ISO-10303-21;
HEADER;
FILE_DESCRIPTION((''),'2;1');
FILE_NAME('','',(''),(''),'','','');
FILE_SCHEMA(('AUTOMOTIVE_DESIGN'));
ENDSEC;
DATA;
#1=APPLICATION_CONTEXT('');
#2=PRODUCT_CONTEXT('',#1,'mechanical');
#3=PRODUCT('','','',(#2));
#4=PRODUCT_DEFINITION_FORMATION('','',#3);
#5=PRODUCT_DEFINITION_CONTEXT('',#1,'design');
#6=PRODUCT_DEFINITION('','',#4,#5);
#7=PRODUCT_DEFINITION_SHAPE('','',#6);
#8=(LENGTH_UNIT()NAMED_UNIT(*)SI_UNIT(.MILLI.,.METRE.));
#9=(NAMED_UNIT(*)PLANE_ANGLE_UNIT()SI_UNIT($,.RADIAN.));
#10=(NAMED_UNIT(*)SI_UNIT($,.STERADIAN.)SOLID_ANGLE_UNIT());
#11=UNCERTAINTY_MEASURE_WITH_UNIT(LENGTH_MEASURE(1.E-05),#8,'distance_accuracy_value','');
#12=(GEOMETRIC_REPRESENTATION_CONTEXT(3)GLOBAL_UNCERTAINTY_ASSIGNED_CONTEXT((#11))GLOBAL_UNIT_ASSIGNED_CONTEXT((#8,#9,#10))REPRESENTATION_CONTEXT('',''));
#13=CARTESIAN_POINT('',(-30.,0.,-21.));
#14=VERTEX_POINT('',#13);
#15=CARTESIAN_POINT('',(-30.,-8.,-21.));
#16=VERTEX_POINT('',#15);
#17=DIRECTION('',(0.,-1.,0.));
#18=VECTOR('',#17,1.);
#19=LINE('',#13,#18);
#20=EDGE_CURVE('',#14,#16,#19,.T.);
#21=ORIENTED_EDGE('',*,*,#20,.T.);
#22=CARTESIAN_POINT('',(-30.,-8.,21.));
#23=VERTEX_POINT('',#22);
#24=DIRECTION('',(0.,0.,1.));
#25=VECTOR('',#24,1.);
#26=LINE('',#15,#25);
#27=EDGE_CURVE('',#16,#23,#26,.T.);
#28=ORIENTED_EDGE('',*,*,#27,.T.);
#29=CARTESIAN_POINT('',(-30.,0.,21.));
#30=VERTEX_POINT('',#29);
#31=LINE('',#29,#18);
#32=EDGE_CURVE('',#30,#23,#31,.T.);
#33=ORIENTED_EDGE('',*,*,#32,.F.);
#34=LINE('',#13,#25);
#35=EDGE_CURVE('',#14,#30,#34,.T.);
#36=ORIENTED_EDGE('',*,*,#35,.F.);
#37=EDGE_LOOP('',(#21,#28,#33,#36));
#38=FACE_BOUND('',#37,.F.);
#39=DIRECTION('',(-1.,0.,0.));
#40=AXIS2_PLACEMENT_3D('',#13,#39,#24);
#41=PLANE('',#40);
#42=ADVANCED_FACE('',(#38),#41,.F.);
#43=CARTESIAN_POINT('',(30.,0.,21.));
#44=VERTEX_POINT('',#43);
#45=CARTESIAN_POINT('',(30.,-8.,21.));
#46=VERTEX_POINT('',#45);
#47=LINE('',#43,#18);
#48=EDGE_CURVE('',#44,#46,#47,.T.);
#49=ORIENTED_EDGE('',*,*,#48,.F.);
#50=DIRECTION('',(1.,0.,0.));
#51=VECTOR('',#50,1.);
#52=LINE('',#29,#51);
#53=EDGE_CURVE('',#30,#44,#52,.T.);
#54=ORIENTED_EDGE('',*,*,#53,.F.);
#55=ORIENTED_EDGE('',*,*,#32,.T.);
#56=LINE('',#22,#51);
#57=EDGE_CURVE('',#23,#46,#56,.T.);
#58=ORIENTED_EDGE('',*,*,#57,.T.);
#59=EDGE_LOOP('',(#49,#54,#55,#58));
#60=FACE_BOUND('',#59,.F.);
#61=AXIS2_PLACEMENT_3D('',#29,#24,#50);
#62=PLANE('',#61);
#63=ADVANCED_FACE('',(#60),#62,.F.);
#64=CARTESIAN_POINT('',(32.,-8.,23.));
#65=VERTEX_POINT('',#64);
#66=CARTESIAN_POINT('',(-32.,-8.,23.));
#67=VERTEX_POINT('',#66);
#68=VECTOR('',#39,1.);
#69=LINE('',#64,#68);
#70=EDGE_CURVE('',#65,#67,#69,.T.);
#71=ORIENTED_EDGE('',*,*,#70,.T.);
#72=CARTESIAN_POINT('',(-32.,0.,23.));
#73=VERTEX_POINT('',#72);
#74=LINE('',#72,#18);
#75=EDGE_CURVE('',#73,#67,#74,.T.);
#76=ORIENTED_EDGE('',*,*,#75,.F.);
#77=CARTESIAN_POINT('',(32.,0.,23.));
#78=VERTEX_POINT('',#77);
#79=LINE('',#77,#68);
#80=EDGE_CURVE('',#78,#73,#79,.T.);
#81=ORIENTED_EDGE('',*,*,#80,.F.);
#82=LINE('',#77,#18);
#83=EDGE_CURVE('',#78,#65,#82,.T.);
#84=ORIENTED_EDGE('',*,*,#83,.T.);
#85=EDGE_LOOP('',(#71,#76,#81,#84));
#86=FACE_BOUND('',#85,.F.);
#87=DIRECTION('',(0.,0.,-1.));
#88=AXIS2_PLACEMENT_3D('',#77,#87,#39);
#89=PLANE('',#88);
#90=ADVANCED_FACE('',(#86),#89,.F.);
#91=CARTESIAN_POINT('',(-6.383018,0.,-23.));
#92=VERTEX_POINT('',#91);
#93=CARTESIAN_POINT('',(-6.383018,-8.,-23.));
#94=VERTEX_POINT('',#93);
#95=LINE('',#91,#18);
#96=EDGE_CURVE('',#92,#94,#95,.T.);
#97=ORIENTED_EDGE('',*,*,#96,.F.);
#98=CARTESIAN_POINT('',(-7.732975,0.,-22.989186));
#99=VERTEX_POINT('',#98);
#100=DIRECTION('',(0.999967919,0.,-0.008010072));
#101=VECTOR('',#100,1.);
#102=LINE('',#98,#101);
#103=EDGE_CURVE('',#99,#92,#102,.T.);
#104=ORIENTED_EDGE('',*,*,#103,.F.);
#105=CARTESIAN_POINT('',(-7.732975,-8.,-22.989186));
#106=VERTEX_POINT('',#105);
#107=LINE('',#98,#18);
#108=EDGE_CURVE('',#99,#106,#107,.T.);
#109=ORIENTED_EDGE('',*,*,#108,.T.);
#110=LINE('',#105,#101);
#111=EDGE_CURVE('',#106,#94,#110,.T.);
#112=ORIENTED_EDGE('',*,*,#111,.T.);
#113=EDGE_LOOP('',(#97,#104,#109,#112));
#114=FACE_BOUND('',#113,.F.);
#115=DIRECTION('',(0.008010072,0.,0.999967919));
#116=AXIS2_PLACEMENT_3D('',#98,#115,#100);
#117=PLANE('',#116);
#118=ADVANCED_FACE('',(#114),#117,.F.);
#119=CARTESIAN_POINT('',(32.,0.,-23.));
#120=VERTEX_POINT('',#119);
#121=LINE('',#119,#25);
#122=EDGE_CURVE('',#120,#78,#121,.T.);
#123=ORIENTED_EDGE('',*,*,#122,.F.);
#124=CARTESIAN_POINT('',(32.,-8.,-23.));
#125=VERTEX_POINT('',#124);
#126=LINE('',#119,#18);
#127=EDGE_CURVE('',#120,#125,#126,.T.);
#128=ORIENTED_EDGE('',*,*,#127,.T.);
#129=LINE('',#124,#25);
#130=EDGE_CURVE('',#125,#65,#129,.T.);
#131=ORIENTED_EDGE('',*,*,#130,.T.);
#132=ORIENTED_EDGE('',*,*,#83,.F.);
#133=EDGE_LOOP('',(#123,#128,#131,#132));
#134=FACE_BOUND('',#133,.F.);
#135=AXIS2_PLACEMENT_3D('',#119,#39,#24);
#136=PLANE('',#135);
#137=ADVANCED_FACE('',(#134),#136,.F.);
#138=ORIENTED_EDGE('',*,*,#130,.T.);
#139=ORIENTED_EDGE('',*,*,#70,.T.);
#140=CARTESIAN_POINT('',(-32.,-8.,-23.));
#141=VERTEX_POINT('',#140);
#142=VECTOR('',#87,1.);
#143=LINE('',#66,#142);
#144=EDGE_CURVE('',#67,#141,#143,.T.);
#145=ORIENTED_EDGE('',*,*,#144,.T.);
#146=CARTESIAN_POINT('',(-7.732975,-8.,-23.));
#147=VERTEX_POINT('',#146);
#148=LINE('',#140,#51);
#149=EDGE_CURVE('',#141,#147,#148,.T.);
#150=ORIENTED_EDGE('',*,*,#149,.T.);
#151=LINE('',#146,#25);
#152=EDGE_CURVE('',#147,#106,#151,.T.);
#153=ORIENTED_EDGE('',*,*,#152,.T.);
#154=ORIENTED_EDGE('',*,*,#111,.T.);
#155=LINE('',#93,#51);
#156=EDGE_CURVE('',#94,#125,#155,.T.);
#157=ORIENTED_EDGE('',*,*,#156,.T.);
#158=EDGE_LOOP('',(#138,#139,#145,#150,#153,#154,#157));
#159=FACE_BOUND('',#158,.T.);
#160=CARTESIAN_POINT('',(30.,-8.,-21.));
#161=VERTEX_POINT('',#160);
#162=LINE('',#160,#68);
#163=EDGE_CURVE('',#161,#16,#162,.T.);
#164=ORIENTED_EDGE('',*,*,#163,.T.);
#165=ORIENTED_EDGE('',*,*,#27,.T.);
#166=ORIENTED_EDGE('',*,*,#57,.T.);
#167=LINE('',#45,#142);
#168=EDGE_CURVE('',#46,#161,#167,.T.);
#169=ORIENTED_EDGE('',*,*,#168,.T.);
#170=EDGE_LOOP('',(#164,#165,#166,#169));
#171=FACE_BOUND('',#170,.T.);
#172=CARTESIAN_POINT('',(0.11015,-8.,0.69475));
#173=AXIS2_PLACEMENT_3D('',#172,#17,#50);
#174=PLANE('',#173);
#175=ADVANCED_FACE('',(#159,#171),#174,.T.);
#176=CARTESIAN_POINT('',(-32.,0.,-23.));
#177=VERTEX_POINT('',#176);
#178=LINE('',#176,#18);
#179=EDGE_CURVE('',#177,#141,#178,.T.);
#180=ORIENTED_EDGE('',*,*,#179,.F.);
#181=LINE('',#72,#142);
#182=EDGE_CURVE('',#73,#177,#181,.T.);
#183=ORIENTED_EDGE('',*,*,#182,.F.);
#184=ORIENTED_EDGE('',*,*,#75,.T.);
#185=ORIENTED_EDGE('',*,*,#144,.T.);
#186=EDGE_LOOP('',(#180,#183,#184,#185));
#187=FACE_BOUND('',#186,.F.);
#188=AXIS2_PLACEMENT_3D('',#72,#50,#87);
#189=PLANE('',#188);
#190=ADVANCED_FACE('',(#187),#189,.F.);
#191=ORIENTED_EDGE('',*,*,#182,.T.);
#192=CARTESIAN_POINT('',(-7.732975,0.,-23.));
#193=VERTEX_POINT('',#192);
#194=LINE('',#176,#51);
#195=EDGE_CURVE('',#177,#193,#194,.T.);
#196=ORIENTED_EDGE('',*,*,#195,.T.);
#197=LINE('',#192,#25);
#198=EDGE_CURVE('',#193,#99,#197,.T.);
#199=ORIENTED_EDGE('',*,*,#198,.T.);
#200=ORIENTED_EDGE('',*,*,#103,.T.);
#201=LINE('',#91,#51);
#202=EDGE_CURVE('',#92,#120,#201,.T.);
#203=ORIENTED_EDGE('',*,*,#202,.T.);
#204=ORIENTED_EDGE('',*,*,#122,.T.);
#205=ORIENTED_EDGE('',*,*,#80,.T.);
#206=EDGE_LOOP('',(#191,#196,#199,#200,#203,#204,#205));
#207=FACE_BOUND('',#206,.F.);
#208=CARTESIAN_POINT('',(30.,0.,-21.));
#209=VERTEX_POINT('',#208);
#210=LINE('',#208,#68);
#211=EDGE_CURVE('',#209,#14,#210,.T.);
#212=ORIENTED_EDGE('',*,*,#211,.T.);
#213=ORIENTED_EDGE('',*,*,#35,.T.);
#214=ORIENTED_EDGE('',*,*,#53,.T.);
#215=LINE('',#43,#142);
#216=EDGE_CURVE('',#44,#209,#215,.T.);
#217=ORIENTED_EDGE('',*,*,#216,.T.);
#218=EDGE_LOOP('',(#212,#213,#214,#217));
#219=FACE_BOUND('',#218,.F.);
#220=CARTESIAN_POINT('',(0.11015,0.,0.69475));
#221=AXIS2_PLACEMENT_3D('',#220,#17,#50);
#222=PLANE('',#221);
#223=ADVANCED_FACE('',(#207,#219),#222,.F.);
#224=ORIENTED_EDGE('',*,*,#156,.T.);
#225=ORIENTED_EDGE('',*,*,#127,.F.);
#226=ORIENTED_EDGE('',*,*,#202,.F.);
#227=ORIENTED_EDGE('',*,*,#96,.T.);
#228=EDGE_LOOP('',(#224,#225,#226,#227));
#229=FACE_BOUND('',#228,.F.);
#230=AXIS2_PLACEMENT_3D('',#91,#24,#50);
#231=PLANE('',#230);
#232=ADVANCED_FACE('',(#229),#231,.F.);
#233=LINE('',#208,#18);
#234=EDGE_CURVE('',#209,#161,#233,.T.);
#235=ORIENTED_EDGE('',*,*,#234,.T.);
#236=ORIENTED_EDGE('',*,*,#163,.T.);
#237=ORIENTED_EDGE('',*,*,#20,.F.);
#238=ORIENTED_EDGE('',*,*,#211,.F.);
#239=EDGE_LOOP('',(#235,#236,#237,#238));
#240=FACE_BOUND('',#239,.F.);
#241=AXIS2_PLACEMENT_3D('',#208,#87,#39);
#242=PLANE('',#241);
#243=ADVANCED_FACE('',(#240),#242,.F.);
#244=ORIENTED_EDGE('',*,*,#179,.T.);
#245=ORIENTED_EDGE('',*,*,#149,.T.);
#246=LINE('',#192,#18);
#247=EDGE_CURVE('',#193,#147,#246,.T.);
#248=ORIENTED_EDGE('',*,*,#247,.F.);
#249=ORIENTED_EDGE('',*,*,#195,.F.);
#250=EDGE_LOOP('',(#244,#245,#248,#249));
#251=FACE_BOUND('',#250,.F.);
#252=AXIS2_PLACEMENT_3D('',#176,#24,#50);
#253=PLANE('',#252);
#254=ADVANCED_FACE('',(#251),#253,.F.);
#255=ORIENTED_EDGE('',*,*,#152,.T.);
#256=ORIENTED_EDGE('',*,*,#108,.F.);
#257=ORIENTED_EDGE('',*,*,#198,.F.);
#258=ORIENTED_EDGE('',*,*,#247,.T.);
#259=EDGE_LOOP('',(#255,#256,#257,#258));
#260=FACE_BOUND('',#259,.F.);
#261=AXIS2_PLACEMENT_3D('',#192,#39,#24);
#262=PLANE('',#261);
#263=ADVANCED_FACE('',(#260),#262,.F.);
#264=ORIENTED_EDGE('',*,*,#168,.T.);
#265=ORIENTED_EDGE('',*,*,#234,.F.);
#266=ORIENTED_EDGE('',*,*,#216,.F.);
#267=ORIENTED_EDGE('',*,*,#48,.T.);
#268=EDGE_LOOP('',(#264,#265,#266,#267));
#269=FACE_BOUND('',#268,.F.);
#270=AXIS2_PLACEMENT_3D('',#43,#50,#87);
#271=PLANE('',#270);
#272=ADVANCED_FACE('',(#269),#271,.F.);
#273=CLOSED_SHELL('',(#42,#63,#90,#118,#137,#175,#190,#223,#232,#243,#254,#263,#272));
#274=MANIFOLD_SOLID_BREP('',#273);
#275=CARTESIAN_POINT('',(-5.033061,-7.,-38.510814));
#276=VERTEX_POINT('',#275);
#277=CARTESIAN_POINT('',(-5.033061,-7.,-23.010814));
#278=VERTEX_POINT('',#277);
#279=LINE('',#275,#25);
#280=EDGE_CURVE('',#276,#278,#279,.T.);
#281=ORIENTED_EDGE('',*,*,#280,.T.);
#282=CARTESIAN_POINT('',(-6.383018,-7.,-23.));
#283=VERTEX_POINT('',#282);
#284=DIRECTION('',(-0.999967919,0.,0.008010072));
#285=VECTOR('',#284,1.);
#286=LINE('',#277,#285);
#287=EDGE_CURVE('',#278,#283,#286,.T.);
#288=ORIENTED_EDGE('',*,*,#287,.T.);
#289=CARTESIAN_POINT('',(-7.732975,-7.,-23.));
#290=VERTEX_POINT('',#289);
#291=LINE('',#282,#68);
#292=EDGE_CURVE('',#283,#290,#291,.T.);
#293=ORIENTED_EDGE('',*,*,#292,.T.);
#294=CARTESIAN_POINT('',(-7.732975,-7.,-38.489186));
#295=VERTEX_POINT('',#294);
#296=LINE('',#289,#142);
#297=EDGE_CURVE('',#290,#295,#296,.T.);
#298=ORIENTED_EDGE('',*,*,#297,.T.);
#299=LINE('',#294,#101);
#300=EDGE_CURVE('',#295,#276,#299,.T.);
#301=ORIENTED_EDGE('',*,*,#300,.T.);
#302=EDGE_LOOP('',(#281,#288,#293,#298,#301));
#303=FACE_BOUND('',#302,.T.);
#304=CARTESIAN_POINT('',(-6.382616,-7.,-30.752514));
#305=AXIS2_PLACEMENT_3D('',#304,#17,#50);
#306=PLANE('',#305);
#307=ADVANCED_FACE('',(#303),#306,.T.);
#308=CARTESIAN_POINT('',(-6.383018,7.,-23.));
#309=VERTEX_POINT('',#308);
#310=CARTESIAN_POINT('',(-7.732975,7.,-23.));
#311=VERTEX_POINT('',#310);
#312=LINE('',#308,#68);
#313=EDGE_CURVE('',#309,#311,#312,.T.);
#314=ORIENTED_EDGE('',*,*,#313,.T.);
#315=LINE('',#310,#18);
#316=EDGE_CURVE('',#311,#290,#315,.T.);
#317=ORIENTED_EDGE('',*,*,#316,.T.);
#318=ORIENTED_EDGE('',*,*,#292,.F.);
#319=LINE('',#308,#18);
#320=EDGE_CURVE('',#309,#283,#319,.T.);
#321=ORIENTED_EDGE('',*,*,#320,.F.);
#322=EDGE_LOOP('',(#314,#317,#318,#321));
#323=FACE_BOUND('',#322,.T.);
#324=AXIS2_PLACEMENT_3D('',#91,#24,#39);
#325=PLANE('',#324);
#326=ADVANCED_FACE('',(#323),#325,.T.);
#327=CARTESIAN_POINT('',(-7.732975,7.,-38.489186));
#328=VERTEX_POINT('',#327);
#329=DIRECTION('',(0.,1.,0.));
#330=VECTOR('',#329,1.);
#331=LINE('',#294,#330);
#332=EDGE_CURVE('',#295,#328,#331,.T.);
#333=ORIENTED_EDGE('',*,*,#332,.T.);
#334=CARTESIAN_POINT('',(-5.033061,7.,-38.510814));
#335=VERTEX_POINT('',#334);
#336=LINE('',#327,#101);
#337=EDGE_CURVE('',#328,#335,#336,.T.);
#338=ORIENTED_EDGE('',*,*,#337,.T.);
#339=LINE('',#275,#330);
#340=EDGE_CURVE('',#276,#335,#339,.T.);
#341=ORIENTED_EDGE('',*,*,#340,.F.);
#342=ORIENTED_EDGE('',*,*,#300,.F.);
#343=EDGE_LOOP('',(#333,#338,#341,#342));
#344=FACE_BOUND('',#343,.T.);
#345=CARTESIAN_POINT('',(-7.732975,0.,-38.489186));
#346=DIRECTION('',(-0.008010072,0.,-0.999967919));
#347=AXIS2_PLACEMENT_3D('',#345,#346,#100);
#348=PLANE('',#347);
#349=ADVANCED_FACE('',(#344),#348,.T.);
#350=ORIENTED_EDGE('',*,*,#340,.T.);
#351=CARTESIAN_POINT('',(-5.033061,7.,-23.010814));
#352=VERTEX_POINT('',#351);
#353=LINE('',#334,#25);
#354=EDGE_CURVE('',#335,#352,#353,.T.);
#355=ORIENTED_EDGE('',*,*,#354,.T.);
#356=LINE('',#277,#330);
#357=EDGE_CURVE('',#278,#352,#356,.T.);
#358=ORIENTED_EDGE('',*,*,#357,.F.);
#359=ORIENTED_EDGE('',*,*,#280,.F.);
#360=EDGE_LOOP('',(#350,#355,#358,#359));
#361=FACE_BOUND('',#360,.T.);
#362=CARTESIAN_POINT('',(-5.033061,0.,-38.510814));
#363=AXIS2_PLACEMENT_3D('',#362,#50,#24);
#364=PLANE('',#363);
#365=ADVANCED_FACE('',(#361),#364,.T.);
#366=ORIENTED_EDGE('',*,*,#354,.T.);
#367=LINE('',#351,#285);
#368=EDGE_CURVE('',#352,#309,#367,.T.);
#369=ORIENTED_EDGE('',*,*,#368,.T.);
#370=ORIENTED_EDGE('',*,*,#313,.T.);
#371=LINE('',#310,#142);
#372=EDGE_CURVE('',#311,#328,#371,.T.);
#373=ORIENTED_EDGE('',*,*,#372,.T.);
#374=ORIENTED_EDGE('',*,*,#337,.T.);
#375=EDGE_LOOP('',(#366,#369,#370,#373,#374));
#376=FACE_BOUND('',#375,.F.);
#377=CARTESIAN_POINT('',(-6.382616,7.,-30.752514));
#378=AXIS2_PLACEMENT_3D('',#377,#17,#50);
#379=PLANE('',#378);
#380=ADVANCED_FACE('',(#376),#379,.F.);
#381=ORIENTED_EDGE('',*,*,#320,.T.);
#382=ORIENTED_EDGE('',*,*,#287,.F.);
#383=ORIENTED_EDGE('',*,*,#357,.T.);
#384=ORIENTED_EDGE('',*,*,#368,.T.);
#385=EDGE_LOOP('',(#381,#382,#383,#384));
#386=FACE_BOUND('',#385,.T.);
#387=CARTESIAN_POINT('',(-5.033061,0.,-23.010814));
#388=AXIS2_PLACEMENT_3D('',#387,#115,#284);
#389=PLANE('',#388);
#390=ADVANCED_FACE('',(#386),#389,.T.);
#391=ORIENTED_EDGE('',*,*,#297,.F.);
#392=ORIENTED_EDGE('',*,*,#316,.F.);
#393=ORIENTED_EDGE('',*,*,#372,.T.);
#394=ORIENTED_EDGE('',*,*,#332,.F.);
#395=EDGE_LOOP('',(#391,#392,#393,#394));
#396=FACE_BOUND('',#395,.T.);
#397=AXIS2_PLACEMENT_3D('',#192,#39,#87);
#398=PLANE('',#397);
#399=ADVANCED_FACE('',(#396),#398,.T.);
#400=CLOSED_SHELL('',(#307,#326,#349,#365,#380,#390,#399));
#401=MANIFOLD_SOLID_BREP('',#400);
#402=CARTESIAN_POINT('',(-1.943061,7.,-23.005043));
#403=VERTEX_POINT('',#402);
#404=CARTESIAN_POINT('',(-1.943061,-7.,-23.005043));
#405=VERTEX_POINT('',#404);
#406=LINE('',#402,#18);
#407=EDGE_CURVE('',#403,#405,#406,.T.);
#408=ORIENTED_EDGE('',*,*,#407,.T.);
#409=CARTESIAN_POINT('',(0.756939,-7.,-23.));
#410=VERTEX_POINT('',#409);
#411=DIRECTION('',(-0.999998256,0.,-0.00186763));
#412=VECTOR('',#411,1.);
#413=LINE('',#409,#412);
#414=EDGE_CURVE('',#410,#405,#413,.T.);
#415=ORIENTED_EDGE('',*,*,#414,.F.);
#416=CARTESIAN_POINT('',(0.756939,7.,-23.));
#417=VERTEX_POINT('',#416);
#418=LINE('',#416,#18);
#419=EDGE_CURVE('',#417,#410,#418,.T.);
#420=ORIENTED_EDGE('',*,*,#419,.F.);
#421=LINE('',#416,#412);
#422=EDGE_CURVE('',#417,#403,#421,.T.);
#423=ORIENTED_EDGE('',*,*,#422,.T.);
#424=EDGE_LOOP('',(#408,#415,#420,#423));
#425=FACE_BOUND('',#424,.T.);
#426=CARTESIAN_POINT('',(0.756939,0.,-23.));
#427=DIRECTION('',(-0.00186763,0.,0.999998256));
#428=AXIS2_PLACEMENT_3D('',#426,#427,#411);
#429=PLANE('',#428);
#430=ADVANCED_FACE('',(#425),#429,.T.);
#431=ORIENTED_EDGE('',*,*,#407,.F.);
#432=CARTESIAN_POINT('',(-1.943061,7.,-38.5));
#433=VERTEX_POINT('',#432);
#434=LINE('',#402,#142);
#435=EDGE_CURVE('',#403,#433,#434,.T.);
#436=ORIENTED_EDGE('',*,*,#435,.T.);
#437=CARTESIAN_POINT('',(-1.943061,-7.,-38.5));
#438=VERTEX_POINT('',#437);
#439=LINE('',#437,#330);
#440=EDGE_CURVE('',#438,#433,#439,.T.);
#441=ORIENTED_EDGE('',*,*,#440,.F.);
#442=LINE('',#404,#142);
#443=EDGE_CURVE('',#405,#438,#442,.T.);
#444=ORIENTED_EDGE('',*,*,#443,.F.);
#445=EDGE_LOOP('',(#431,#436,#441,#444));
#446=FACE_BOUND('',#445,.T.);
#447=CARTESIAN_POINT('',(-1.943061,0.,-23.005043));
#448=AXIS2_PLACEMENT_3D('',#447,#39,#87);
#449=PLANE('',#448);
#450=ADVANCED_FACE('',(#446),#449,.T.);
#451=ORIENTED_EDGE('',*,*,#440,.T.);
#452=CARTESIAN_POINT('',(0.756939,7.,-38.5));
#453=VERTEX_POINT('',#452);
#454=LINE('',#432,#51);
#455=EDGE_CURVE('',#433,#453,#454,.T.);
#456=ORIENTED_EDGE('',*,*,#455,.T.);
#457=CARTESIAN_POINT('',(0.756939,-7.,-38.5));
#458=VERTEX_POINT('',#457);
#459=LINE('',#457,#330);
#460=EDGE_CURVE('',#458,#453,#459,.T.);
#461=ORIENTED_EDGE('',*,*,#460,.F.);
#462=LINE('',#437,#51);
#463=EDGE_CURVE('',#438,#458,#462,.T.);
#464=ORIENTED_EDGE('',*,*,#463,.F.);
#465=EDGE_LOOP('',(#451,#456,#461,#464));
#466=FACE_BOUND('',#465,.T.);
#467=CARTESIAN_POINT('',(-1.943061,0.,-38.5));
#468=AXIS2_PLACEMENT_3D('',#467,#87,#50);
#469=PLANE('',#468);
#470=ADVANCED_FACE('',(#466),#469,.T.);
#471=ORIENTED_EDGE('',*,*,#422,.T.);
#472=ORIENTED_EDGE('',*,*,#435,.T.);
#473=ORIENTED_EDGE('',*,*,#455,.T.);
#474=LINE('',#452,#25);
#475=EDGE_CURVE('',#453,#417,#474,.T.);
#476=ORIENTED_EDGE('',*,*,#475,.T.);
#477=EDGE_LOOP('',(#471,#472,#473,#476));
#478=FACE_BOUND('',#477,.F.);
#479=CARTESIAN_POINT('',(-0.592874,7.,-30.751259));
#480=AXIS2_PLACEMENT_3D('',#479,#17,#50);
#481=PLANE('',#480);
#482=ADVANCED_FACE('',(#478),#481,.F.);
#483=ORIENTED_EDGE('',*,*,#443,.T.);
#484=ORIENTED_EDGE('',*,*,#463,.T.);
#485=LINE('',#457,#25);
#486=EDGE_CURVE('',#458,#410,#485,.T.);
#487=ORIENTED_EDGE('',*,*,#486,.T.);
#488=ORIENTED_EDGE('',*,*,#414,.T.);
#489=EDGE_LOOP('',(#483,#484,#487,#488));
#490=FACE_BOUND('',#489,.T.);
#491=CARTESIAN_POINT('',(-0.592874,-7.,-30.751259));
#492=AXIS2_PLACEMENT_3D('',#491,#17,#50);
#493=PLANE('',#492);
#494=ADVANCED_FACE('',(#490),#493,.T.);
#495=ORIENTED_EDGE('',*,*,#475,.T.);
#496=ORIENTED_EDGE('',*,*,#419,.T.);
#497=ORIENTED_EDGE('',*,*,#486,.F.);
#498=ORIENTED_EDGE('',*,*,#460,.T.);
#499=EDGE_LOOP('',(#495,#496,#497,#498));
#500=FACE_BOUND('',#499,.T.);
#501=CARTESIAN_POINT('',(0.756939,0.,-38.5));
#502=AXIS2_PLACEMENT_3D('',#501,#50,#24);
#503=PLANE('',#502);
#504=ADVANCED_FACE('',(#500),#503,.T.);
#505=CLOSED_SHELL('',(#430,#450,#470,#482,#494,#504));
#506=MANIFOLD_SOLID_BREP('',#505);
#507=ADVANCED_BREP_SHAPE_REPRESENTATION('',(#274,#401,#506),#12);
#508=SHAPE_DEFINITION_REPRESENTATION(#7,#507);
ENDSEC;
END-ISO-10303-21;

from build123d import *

# Parameters (mm, degrees)
F1_DEPTH      = 8
F2_DEPTH      = 7
F2_DEPTH_BACK = 7


with BuildPart() as f1:
    # F0 (on Front) → F1 (new body)
    with BuildSketch(Plane.XZ):
        Polygon((30, 21), (30, -21), (0.756938591, -21), (0.756938591, -23), (32, -23), (32, -7.5), (32, 23), (-32, 23), (-32, -7.4891864034), (-32, -23), (-7.7329747899, -23), (-7.7329747899, -22.9891864034), (-7.7329747899, -21), (-30, -21), (-30, 21), align=None)
        Polygon((0.756938591, -23), (0.756938591, -21), (-7.7329747899, -21), (-7.7329747899, -22.9891864034), (-6.3830180995, -23), align=None)
    extrude(amount=F1_DEPTH)


with BuildPart() as f2:
    # F0 (on Front) → F2 (new body, two sides)
    with BuildSketch(Plane.XZ) as f2_sk:
        Polygon((-5.033061409, -23.0108135966), (-6.3830180995, -23), (-7.7329747899, -23), (-7.7329747899, -38.4891864034), (-5.033061409, -38.5108135966), align=None)
    extrude(amount=F2_DEPTH)
    extrude(f2_sk.sketch, amount=-F2_DEPTH_BACK)


with BuildPart() as f2b:
    # F0 (on Front) → F2, piece 2 (new body, two sides)
    with BuildSketch(Plane.XZ) as f2_2_sk:
        Polygon((0.756938591, -38.5), (0.756938591, -23), (-1.943061409, -23.0050426098), (-1.943061409, -38.5), align=None)
    extrude(amount=F2_DEPTH)
    extrude(f2_2_sk.sketch, amount=-F2_DEPTH_BACK)


solid = Compound([f1.part, f2.part, f2b.part])
